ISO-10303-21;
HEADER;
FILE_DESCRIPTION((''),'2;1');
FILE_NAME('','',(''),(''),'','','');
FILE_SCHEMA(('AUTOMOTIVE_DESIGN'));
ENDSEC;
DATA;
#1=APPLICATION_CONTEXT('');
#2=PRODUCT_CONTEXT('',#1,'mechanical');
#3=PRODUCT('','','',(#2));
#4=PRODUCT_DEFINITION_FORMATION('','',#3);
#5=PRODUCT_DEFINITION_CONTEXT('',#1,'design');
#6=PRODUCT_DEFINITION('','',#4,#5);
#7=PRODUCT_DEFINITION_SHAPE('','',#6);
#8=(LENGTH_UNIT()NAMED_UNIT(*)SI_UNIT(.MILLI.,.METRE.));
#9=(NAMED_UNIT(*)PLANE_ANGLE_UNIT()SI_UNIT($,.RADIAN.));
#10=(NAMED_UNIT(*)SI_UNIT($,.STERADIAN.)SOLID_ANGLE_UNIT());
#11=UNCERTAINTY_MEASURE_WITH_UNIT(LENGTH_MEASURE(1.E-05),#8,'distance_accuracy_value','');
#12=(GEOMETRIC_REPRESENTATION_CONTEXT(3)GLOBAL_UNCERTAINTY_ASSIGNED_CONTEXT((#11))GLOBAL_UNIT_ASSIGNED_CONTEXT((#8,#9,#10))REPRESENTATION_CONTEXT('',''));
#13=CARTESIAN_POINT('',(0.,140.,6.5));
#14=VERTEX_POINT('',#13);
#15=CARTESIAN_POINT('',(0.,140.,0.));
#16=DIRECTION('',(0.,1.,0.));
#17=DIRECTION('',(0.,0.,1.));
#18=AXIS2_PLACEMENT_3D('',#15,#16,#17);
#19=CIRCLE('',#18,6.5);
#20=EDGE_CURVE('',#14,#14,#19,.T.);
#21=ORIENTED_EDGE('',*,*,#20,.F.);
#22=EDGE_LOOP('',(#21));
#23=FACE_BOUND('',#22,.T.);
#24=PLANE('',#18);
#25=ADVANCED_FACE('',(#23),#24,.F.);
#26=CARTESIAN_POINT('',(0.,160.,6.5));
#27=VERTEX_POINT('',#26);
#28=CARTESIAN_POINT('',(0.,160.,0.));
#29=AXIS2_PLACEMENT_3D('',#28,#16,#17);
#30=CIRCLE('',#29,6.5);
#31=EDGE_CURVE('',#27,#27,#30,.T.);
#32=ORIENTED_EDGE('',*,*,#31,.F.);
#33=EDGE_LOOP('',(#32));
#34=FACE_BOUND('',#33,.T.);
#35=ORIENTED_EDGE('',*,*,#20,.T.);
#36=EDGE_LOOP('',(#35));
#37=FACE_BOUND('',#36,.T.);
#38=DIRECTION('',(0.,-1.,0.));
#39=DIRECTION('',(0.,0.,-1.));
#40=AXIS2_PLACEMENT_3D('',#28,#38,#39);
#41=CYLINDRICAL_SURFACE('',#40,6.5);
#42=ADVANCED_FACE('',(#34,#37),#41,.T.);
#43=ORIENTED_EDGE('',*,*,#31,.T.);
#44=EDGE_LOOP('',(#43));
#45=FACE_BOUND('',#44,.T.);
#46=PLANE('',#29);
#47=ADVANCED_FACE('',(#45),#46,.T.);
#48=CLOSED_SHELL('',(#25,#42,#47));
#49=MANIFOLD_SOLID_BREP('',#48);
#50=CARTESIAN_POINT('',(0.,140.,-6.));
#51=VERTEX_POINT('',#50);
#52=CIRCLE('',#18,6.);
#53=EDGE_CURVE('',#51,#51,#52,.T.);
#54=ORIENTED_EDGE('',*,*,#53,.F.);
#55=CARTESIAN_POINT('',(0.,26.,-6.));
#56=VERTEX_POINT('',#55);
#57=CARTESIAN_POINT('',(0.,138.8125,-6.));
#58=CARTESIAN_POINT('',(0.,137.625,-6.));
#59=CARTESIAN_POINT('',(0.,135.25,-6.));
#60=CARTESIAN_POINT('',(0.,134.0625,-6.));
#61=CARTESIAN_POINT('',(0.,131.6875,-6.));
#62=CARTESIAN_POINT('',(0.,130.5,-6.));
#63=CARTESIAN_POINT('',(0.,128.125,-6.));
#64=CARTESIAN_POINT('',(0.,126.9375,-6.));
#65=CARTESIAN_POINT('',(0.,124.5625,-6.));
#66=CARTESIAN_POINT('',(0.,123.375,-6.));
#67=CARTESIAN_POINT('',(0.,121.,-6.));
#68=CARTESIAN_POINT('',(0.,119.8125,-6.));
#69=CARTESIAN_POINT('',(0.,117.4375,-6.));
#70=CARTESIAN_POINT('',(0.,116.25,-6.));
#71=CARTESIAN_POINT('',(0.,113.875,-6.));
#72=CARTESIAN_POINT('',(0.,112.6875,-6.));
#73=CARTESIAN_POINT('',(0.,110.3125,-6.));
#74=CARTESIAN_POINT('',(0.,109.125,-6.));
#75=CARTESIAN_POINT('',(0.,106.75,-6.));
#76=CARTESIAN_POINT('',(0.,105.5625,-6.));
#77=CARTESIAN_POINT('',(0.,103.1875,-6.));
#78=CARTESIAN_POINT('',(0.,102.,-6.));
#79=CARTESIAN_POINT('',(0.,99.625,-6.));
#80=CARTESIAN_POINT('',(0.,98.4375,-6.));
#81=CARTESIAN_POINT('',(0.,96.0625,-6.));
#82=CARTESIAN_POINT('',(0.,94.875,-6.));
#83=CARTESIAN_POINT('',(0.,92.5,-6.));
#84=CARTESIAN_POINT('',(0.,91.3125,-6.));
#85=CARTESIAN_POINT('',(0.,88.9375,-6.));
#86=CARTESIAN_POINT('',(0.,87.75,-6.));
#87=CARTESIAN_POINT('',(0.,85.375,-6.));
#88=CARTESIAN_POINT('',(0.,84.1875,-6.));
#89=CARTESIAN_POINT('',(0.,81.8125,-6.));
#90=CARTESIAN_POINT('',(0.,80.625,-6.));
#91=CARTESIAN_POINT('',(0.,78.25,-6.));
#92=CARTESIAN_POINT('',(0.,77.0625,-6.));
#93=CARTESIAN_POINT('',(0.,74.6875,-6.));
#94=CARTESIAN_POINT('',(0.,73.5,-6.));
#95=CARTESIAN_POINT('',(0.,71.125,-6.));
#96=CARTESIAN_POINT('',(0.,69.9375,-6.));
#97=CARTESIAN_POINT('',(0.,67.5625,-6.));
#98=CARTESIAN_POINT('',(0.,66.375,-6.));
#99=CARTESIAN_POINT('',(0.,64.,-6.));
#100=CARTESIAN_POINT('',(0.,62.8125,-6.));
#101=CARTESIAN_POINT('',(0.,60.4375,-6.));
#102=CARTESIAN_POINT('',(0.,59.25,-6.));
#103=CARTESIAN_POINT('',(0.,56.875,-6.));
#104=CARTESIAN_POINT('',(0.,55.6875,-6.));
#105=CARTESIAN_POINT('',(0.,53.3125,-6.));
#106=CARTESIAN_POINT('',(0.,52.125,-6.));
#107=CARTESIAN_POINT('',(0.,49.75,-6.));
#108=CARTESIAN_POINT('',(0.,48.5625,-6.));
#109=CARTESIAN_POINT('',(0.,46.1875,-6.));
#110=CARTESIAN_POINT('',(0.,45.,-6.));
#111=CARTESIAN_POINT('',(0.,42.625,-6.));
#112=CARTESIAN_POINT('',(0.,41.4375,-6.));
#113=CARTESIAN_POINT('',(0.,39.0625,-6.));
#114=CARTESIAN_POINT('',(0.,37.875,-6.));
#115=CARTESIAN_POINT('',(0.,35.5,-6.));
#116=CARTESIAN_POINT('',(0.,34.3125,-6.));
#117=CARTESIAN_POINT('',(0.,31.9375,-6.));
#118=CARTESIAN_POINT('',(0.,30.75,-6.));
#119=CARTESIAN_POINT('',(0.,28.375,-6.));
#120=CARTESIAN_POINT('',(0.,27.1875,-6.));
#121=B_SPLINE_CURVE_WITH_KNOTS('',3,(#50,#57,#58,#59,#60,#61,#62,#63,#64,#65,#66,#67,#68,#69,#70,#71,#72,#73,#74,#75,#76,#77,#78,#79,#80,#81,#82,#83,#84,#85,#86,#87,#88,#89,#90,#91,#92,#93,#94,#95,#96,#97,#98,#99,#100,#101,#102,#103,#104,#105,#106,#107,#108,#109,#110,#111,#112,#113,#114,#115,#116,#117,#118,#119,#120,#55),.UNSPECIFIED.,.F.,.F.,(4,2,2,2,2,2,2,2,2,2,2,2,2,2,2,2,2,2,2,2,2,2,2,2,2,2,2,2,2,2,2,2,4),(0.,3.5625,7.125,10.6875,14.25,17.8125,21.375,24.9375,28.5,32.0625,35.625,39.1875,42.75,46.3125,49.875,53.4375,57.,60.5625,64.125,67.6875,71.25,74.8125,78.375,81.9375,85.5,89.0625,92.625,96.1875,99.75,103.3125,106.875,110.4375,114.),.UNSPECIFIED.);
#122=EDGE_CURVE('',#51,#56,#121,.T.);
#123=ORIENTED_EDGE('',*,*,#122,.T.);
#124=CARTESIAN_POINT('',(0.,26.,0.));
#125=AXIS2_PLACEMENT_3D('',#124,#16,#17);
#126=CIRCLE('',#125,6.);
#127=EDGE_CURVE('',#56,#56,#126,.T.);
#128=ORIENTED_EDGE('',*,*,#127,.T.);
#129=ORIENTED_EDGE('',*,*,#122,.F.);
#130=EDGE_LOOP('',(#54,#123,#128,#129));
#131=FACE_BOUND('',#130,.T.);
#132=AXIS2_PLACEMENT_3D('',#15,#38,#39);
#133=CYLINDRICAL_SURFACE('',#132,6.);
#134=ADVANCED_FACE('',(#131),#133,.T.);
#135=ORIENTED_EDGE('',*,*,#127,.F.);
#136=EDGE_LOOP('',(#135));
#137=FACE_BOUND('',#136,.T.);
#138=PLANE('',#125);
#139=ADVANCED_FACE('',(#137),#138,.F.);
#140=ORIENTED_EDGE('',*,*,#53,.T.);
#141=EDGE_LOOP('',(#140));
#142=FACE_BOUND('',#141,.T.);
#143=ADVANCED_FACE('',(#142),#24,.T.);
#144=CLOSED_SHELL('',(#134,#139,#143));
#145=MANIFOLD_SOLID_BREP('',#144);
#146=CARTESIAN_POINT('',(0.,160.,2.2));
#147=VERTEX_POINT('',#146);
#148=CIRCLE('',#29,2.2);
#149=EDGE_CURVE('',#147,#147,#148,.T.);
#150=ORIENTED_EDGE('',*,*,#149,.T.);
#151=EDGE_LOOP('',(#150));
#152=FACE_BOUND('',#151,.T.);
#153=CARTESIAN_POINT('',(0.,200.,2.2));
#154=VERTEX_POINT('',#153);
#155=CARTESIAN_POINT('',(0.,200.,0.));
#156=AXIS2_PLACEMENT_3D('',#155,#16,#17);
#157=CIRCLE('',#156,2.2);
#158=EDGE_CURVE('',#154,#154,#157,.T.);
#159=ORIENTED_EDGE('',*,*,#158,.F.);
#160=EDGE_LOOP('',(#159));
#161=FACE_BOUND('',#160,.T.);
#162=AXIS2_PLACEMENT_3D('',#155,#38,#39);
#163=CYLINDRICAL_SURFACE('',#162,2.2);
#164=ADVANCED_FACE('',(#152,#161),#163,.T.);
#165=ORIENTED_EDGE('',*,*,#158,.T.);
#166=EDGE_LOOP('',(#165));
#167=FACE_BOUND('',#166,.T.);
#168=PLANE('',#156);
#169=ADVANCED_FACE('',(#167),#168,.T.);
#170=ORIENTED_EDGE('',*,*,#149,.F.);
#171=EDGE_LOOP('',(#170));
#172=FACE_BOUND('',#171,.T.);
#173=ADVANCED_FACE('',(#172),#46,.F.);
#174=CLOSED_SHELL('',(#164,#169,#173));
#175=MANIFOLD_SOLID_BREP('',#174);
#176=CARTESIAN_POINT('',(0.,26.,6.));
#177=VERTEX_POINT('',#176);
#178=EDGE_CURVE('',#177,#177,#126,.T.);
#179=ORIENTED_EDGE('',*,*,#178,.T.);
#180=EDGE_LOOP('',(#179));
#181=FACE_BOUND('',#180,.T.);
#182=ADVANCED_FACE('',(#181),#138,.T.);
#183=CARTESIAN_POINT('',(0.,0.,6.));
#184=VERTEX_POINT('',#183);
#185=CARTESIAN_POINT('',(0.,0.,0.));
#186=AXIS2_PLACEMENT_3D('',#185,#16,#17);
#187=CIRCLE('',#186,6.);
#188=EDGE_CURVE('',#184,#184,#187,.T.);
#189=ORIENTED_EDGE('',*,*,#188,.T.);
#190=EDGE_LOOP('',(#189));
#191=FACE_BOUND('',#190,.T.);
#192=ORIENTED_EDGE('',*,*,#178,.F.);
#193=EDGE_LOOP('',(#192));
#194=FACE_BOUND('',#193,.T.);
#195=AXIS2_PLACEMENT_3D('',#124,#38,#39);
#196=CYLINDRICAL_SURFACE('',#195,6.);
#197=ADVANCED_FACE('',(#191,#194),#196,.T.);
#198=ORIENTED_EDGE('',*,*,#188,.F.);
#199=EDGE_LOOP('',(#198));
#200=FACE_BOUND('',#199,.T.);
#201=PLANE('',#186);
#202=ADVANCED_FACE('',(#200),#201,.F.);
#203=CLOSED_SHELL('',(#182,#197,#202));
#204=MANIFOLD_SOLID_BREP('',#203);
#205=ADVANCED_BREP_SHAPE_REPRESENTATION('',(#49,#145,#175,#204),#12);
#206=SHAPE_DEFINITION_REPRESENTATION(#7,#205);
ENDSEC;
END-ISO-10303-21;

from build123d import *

# Parameters (mm, degrees)
SK_BULB_GUARD_R      = 6
BULB_GUARD_DEPTH     = 26
ELECTRODE_START      = 26
SK_ELECTRODE_BODY_R  = 6
ELECTRODE_BODY_DEPTH = 114
ELECTRODE_START_2    = 140
SK_ELECTRODE_CAP_R   = 6.5
ELECTRODE_CAP_DEPTH  = 20
CABLE_START          = 160
SK_CABLE_R           = 2.2
CABLE_DEPTH          = 40


with BuildPart() as part:
    # SK Bulb guard → Bulb guard (new body)
    with BuildSketch(Plane(origin=(0, 0, 0), x_dir=(1, 0, 0), z_dir=(0, 1, 0))):
        with Locations(Location((0, 0, 0), (0, 0, 270))):
            Circle(SK_BULB_GUARD_R)
    extrude(amount=BULB_GUARD_DEPTH)


with BuildPart() as body_2:
    # SK Electrode body → Electrode body (new body)
    with BuildSketch(Plane(origin=(0, 0, 0), x_dir=(1, 0, 0), z_dir=(0, 1, 0)).offset(ELECTRODE_START)):
        with Locations(Location((0, 0, 0), (0, 0, 90))):
            Circle(SK_ELECTRODE_BODY_R)
    extrude(amount=ELECTRODE_BODY_DEPTH)


with BuildPart() as body_3:
    # SK Electrode cap → Electrode cap (new body)
    with BuildSketch(Plane(origin=(0, 0, 0), x_dir=(1, 0, 0), z_dir=(0, 1, 0)).offset(ELECTRODE_START_2)):
        with Locations(Location((0, 0, 0), (0, 0, 270))):
            Circle(SK_ELECTRODE_CAP_R)
    extrude(amount=ELECTRODE_CAP_DEPTH)


with BuildPart() as body_4:
    # SK Cable → Cable (new body)
    with BuildSketch(Plane(origin=(0, 0, 0), x_dir=(1, 0, 0), z_dir=(0, 1, 0)).offset(CABLE_START)):
        with Locations(Location((0, 0, 0), (0, 0, 270))):
            Circle(SK_CABLE_R)
    extrude(amount=CABLE_DEPTH)


solid = Compound([part.part, body_2.part, body_3.part, body_4.part])
